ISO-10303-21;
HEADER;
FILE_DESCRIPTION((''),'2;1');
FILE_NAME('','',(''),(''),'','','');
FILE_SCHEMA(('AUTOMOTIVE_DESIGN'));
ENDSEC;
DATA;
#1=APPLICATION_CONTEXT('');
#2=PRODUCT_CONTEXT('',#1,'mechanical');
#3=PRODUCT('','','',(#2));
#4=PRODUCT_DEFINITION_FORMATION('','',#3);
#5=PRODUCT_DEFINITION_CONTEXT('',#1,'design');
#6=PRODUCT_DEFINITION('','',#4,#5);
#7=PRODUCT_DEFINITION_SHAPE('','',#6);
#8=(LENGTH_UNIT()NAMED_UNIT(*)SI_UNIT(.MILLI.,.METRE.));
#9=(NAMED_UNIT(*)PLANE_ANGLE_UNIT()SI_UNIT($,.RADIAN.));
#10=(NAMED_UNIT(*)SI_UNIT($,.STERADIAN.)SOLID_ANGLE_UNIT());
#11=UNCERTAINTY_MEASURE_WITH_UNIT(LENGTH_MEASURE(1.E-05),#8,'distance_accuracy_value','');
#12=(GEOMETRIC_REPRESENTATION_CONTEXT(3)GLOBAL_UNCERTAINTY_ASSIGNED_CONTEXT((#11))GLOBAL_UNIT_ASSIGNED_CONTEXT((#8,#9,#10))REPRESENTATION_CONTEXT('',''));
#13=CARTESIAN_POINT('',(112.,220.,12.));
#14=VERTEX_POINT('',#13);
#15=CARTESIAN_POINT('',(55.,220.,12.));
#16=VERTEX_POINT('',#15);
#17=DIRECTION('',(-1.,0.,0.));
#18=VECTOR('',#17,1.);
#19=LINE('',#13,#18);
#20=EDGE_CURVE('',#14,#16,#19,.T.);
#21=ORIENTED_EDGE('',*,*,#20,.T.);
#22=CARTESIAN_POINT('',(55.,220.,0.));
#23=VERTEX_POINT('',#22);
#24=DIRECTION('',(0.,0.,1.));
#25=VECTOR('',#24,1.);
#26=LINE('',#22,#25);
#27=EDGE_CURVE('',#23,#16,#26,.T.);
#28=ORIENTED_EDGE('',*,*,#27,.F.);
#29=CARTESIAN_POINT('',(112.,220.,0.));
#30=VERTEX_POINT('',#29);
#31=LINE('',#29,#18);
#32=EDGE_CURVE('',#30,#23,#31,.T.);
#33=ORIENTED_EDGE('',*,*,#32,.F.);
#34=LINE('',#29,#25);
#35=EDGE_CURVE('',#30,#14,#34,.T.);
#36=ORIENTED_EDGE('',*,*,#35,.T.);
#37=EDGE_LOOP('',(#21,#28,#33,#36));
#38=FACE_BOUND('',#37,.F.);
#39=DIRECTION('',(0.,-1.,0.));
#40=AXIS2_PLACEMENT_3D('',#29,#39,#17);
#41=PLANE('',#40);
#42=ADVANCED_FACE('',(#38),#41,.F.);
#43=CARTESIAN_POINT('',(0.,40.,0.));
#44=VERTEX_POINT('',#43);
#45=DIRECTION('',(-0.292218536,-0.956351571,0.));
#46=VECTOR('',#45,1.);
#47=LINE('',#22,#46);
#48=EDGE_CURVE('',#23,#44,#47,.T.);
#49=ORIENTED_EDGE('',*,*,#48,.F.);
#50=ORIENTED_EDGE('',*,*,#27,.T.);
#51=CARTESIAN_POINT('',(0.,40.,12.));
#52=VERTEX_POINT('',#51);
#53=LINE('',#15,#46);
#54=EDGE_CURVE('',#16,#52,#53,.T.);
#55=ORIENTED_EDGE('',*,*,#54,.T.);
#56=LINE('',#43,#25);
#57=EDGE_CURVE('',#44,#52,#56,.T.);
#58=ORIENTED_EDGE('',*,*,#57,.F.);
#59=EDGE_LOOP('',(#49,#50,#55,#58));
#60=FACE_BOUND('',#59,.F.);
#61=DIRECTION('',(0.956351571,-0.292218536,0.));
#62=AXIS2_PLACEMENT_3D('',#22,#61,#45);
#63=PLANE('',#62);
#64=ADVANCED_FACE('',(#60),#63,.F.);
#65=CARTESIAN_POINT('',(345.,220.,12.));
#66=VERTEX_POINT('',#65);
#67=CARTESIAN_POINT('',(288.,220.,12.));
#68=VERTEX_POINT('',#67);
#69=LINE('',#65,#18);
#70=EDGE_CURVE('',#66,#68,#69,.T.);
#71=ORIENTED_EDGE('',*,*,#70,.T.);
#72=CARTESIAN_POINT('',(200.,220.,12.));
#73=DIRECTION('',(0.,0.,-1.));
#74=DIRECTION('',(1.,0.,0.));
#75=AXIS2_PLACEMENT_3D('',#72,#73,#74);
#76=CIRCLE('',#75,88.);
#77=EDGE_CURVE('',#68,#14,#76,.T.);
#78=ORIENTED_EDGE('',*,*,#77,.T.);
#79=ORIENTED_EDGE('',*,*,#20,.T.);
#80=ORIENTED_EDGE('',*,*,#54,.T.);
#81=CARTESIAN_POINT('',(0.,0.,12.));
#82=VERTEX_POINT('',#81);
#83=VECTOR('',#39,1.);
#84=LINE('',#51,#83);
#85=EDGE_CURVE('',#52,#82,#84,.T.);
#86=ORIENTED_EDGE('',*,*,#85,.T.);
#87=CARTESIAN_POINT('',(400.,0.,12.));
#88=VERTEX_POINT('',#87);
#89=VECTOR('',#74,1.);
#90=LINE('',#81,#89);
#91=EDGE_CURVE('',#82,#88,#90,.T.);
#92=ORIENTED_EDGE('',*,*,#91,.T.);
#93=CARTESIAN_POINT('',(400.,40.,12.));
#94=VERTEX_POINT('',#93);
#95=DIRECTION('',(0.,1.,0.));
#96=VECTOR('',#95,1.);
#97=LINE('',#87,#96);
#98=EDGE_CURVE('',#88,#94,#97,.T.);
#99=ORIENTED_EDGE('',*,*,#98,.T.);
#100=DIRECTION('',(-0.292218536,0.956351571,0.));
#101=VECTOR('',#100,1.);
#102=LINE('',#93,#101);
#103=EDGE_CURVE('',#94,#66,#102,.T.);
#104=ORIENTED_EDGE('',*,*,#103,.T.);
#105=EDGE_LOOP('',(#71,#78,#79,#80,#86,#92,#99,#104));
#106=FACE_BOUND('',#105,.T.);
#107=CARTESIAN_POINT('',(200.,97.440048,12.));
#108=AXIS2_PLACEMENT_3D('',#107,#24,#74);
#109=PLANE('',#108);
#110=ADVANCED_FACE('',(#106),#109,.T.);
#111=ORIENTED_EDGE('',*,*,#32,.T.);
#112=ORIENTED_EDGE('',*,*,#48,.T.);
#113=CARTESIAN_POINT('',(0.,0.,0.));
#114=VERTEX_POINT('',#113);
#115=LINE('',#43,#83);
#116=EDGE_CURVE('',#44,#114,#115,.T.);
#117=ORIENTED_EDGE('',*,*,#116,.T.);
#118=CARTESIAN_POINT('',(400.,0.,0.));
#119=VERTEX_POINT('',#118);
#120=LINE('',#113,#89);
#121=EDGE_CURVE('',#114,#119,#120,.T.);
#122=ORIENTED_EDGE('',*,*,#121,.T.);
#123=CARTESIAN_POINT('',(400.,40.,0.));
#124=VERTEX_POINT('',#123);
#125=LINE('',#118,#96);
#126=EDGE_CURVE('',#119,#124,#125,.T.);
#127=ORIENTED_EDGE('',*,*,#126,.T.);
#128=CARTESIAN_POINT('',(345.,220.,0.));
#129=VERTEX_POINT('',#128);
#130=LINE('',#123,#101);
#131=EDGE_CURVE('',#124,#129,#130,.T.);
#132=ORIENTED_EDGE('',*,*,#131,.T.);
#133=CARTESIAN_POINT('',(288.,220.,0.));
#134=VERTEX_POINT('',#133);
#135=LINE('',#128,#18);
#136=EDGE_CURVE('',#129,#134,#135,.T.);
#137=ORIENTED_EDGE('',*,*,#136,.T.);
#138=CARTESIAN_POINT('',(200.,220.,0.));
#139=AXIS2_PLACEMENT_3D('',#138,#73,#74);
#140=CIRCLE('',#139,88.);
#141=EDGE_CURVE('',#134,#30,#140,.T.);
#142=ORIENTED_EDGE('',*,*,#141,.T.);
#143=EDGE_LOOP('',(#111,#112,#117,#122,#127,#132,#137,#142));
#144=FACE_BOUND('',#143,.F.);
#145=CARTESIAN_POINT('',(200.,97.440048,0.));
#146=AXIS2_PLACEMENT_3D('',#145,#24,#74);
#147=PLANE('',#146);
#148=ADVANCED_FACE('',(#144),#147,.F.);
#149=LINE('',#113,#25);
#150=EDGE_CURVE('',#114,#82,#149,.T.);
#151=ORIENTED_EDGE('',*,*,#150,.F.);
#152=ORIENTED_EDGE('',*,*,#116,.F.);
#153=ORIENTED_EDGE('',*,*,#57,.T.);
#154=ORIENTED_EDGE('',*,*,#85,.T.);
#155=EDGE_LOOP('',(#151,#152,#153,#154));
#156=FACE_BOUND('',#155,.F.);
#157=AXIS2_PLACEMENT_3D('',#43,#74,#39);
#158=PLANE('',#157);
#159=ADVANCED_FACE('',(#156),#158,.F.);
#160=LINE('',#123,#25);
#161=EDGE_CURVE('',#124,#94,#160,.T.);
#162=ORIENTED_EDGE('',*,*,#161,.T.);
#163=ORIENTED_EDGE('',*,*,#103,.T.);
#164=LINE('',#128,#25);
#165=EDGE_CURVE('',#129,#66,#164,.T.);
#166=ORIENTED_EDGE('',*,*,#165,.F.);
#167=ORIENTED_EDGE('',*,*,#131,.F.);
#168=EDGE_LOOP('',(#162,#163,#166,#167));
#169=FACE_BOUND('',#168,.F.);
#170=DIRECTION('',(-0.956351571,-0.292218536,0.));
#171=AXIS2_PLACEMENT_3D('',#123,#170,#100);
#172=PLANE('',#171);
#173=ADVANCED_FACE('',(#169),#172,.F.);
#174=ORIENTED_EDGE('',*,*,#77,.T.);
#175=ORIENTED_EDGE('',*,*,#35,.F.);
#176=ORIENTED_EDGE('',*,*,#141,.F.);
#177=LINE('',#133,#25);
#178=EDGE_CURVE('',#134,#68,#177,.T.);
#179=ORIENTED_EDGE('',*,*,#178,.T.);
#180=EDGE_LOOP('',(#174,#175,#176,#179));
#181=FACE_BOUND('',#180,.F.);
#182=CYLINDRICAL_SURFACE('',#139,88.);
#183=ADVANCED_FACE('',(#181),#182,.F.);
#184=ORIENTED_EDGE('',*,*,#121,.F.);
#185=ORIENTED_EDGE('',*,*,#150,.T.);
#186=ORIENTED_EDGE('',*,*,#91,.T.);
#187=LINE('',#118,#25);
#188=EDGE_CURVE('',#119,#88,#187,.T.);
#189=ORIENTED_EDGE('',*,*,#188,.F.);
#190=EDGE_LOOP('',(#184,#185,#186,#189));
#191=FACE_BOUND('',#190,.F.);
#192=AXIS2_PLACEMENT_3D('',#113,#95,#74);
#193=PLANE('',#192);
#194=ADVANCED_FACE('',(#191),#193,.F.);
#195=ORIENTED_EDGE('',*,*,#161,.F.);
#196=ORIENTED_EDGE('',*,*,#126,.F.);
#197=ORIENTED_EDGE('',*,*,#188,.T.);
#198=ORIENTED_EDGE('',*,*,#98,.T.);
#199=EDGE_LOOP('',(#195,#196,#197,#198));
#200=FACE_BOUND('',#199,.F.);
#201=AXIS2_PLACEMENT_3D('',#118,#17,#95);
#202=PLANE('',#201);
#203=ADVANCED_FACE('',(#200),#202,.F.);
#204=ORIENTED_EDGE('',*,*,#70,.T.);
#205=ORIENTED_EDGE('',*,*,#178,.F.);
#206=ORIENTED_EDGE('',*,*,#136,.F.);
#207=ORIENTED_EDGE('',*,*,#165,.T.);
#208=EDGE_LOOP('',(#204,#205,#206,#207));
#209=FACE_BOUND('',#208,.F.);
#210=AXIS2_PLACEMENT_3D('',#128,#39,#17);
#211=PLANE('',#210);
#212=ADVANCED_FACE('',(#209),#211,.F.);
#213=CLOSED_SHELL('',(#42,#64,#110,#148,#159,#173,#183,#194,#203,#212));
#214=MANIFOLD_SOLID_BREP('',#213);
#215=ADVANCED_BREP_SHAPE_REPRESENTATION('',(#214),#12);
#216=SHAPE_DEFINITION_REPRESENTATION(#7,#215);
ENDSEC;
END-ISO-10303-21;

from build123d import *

# Parameters (mm, degrees)
F1_DEPTH = 12


with BuildPart() as f1:
    # F0 (on Top) → F1 (new body)
    with BuildSketch(Plane.XY):
        with BuildLine():
            Line((0, 40), (0, 0))
            Line((0, 0), (400, 0))
            Line((400, 0), (400, 40))
            Line((400, 40), (345, 220))
            Line((345, 220), (288, 220))
            ThreePointArc((288, 220), (200, 132), (112, 220))
            Line((112, 220), (55, 220))
            Line((55, 220), (0, 40))
        make_face()
    extrude(amount=F1_DEPTH)


solid = f1.part
